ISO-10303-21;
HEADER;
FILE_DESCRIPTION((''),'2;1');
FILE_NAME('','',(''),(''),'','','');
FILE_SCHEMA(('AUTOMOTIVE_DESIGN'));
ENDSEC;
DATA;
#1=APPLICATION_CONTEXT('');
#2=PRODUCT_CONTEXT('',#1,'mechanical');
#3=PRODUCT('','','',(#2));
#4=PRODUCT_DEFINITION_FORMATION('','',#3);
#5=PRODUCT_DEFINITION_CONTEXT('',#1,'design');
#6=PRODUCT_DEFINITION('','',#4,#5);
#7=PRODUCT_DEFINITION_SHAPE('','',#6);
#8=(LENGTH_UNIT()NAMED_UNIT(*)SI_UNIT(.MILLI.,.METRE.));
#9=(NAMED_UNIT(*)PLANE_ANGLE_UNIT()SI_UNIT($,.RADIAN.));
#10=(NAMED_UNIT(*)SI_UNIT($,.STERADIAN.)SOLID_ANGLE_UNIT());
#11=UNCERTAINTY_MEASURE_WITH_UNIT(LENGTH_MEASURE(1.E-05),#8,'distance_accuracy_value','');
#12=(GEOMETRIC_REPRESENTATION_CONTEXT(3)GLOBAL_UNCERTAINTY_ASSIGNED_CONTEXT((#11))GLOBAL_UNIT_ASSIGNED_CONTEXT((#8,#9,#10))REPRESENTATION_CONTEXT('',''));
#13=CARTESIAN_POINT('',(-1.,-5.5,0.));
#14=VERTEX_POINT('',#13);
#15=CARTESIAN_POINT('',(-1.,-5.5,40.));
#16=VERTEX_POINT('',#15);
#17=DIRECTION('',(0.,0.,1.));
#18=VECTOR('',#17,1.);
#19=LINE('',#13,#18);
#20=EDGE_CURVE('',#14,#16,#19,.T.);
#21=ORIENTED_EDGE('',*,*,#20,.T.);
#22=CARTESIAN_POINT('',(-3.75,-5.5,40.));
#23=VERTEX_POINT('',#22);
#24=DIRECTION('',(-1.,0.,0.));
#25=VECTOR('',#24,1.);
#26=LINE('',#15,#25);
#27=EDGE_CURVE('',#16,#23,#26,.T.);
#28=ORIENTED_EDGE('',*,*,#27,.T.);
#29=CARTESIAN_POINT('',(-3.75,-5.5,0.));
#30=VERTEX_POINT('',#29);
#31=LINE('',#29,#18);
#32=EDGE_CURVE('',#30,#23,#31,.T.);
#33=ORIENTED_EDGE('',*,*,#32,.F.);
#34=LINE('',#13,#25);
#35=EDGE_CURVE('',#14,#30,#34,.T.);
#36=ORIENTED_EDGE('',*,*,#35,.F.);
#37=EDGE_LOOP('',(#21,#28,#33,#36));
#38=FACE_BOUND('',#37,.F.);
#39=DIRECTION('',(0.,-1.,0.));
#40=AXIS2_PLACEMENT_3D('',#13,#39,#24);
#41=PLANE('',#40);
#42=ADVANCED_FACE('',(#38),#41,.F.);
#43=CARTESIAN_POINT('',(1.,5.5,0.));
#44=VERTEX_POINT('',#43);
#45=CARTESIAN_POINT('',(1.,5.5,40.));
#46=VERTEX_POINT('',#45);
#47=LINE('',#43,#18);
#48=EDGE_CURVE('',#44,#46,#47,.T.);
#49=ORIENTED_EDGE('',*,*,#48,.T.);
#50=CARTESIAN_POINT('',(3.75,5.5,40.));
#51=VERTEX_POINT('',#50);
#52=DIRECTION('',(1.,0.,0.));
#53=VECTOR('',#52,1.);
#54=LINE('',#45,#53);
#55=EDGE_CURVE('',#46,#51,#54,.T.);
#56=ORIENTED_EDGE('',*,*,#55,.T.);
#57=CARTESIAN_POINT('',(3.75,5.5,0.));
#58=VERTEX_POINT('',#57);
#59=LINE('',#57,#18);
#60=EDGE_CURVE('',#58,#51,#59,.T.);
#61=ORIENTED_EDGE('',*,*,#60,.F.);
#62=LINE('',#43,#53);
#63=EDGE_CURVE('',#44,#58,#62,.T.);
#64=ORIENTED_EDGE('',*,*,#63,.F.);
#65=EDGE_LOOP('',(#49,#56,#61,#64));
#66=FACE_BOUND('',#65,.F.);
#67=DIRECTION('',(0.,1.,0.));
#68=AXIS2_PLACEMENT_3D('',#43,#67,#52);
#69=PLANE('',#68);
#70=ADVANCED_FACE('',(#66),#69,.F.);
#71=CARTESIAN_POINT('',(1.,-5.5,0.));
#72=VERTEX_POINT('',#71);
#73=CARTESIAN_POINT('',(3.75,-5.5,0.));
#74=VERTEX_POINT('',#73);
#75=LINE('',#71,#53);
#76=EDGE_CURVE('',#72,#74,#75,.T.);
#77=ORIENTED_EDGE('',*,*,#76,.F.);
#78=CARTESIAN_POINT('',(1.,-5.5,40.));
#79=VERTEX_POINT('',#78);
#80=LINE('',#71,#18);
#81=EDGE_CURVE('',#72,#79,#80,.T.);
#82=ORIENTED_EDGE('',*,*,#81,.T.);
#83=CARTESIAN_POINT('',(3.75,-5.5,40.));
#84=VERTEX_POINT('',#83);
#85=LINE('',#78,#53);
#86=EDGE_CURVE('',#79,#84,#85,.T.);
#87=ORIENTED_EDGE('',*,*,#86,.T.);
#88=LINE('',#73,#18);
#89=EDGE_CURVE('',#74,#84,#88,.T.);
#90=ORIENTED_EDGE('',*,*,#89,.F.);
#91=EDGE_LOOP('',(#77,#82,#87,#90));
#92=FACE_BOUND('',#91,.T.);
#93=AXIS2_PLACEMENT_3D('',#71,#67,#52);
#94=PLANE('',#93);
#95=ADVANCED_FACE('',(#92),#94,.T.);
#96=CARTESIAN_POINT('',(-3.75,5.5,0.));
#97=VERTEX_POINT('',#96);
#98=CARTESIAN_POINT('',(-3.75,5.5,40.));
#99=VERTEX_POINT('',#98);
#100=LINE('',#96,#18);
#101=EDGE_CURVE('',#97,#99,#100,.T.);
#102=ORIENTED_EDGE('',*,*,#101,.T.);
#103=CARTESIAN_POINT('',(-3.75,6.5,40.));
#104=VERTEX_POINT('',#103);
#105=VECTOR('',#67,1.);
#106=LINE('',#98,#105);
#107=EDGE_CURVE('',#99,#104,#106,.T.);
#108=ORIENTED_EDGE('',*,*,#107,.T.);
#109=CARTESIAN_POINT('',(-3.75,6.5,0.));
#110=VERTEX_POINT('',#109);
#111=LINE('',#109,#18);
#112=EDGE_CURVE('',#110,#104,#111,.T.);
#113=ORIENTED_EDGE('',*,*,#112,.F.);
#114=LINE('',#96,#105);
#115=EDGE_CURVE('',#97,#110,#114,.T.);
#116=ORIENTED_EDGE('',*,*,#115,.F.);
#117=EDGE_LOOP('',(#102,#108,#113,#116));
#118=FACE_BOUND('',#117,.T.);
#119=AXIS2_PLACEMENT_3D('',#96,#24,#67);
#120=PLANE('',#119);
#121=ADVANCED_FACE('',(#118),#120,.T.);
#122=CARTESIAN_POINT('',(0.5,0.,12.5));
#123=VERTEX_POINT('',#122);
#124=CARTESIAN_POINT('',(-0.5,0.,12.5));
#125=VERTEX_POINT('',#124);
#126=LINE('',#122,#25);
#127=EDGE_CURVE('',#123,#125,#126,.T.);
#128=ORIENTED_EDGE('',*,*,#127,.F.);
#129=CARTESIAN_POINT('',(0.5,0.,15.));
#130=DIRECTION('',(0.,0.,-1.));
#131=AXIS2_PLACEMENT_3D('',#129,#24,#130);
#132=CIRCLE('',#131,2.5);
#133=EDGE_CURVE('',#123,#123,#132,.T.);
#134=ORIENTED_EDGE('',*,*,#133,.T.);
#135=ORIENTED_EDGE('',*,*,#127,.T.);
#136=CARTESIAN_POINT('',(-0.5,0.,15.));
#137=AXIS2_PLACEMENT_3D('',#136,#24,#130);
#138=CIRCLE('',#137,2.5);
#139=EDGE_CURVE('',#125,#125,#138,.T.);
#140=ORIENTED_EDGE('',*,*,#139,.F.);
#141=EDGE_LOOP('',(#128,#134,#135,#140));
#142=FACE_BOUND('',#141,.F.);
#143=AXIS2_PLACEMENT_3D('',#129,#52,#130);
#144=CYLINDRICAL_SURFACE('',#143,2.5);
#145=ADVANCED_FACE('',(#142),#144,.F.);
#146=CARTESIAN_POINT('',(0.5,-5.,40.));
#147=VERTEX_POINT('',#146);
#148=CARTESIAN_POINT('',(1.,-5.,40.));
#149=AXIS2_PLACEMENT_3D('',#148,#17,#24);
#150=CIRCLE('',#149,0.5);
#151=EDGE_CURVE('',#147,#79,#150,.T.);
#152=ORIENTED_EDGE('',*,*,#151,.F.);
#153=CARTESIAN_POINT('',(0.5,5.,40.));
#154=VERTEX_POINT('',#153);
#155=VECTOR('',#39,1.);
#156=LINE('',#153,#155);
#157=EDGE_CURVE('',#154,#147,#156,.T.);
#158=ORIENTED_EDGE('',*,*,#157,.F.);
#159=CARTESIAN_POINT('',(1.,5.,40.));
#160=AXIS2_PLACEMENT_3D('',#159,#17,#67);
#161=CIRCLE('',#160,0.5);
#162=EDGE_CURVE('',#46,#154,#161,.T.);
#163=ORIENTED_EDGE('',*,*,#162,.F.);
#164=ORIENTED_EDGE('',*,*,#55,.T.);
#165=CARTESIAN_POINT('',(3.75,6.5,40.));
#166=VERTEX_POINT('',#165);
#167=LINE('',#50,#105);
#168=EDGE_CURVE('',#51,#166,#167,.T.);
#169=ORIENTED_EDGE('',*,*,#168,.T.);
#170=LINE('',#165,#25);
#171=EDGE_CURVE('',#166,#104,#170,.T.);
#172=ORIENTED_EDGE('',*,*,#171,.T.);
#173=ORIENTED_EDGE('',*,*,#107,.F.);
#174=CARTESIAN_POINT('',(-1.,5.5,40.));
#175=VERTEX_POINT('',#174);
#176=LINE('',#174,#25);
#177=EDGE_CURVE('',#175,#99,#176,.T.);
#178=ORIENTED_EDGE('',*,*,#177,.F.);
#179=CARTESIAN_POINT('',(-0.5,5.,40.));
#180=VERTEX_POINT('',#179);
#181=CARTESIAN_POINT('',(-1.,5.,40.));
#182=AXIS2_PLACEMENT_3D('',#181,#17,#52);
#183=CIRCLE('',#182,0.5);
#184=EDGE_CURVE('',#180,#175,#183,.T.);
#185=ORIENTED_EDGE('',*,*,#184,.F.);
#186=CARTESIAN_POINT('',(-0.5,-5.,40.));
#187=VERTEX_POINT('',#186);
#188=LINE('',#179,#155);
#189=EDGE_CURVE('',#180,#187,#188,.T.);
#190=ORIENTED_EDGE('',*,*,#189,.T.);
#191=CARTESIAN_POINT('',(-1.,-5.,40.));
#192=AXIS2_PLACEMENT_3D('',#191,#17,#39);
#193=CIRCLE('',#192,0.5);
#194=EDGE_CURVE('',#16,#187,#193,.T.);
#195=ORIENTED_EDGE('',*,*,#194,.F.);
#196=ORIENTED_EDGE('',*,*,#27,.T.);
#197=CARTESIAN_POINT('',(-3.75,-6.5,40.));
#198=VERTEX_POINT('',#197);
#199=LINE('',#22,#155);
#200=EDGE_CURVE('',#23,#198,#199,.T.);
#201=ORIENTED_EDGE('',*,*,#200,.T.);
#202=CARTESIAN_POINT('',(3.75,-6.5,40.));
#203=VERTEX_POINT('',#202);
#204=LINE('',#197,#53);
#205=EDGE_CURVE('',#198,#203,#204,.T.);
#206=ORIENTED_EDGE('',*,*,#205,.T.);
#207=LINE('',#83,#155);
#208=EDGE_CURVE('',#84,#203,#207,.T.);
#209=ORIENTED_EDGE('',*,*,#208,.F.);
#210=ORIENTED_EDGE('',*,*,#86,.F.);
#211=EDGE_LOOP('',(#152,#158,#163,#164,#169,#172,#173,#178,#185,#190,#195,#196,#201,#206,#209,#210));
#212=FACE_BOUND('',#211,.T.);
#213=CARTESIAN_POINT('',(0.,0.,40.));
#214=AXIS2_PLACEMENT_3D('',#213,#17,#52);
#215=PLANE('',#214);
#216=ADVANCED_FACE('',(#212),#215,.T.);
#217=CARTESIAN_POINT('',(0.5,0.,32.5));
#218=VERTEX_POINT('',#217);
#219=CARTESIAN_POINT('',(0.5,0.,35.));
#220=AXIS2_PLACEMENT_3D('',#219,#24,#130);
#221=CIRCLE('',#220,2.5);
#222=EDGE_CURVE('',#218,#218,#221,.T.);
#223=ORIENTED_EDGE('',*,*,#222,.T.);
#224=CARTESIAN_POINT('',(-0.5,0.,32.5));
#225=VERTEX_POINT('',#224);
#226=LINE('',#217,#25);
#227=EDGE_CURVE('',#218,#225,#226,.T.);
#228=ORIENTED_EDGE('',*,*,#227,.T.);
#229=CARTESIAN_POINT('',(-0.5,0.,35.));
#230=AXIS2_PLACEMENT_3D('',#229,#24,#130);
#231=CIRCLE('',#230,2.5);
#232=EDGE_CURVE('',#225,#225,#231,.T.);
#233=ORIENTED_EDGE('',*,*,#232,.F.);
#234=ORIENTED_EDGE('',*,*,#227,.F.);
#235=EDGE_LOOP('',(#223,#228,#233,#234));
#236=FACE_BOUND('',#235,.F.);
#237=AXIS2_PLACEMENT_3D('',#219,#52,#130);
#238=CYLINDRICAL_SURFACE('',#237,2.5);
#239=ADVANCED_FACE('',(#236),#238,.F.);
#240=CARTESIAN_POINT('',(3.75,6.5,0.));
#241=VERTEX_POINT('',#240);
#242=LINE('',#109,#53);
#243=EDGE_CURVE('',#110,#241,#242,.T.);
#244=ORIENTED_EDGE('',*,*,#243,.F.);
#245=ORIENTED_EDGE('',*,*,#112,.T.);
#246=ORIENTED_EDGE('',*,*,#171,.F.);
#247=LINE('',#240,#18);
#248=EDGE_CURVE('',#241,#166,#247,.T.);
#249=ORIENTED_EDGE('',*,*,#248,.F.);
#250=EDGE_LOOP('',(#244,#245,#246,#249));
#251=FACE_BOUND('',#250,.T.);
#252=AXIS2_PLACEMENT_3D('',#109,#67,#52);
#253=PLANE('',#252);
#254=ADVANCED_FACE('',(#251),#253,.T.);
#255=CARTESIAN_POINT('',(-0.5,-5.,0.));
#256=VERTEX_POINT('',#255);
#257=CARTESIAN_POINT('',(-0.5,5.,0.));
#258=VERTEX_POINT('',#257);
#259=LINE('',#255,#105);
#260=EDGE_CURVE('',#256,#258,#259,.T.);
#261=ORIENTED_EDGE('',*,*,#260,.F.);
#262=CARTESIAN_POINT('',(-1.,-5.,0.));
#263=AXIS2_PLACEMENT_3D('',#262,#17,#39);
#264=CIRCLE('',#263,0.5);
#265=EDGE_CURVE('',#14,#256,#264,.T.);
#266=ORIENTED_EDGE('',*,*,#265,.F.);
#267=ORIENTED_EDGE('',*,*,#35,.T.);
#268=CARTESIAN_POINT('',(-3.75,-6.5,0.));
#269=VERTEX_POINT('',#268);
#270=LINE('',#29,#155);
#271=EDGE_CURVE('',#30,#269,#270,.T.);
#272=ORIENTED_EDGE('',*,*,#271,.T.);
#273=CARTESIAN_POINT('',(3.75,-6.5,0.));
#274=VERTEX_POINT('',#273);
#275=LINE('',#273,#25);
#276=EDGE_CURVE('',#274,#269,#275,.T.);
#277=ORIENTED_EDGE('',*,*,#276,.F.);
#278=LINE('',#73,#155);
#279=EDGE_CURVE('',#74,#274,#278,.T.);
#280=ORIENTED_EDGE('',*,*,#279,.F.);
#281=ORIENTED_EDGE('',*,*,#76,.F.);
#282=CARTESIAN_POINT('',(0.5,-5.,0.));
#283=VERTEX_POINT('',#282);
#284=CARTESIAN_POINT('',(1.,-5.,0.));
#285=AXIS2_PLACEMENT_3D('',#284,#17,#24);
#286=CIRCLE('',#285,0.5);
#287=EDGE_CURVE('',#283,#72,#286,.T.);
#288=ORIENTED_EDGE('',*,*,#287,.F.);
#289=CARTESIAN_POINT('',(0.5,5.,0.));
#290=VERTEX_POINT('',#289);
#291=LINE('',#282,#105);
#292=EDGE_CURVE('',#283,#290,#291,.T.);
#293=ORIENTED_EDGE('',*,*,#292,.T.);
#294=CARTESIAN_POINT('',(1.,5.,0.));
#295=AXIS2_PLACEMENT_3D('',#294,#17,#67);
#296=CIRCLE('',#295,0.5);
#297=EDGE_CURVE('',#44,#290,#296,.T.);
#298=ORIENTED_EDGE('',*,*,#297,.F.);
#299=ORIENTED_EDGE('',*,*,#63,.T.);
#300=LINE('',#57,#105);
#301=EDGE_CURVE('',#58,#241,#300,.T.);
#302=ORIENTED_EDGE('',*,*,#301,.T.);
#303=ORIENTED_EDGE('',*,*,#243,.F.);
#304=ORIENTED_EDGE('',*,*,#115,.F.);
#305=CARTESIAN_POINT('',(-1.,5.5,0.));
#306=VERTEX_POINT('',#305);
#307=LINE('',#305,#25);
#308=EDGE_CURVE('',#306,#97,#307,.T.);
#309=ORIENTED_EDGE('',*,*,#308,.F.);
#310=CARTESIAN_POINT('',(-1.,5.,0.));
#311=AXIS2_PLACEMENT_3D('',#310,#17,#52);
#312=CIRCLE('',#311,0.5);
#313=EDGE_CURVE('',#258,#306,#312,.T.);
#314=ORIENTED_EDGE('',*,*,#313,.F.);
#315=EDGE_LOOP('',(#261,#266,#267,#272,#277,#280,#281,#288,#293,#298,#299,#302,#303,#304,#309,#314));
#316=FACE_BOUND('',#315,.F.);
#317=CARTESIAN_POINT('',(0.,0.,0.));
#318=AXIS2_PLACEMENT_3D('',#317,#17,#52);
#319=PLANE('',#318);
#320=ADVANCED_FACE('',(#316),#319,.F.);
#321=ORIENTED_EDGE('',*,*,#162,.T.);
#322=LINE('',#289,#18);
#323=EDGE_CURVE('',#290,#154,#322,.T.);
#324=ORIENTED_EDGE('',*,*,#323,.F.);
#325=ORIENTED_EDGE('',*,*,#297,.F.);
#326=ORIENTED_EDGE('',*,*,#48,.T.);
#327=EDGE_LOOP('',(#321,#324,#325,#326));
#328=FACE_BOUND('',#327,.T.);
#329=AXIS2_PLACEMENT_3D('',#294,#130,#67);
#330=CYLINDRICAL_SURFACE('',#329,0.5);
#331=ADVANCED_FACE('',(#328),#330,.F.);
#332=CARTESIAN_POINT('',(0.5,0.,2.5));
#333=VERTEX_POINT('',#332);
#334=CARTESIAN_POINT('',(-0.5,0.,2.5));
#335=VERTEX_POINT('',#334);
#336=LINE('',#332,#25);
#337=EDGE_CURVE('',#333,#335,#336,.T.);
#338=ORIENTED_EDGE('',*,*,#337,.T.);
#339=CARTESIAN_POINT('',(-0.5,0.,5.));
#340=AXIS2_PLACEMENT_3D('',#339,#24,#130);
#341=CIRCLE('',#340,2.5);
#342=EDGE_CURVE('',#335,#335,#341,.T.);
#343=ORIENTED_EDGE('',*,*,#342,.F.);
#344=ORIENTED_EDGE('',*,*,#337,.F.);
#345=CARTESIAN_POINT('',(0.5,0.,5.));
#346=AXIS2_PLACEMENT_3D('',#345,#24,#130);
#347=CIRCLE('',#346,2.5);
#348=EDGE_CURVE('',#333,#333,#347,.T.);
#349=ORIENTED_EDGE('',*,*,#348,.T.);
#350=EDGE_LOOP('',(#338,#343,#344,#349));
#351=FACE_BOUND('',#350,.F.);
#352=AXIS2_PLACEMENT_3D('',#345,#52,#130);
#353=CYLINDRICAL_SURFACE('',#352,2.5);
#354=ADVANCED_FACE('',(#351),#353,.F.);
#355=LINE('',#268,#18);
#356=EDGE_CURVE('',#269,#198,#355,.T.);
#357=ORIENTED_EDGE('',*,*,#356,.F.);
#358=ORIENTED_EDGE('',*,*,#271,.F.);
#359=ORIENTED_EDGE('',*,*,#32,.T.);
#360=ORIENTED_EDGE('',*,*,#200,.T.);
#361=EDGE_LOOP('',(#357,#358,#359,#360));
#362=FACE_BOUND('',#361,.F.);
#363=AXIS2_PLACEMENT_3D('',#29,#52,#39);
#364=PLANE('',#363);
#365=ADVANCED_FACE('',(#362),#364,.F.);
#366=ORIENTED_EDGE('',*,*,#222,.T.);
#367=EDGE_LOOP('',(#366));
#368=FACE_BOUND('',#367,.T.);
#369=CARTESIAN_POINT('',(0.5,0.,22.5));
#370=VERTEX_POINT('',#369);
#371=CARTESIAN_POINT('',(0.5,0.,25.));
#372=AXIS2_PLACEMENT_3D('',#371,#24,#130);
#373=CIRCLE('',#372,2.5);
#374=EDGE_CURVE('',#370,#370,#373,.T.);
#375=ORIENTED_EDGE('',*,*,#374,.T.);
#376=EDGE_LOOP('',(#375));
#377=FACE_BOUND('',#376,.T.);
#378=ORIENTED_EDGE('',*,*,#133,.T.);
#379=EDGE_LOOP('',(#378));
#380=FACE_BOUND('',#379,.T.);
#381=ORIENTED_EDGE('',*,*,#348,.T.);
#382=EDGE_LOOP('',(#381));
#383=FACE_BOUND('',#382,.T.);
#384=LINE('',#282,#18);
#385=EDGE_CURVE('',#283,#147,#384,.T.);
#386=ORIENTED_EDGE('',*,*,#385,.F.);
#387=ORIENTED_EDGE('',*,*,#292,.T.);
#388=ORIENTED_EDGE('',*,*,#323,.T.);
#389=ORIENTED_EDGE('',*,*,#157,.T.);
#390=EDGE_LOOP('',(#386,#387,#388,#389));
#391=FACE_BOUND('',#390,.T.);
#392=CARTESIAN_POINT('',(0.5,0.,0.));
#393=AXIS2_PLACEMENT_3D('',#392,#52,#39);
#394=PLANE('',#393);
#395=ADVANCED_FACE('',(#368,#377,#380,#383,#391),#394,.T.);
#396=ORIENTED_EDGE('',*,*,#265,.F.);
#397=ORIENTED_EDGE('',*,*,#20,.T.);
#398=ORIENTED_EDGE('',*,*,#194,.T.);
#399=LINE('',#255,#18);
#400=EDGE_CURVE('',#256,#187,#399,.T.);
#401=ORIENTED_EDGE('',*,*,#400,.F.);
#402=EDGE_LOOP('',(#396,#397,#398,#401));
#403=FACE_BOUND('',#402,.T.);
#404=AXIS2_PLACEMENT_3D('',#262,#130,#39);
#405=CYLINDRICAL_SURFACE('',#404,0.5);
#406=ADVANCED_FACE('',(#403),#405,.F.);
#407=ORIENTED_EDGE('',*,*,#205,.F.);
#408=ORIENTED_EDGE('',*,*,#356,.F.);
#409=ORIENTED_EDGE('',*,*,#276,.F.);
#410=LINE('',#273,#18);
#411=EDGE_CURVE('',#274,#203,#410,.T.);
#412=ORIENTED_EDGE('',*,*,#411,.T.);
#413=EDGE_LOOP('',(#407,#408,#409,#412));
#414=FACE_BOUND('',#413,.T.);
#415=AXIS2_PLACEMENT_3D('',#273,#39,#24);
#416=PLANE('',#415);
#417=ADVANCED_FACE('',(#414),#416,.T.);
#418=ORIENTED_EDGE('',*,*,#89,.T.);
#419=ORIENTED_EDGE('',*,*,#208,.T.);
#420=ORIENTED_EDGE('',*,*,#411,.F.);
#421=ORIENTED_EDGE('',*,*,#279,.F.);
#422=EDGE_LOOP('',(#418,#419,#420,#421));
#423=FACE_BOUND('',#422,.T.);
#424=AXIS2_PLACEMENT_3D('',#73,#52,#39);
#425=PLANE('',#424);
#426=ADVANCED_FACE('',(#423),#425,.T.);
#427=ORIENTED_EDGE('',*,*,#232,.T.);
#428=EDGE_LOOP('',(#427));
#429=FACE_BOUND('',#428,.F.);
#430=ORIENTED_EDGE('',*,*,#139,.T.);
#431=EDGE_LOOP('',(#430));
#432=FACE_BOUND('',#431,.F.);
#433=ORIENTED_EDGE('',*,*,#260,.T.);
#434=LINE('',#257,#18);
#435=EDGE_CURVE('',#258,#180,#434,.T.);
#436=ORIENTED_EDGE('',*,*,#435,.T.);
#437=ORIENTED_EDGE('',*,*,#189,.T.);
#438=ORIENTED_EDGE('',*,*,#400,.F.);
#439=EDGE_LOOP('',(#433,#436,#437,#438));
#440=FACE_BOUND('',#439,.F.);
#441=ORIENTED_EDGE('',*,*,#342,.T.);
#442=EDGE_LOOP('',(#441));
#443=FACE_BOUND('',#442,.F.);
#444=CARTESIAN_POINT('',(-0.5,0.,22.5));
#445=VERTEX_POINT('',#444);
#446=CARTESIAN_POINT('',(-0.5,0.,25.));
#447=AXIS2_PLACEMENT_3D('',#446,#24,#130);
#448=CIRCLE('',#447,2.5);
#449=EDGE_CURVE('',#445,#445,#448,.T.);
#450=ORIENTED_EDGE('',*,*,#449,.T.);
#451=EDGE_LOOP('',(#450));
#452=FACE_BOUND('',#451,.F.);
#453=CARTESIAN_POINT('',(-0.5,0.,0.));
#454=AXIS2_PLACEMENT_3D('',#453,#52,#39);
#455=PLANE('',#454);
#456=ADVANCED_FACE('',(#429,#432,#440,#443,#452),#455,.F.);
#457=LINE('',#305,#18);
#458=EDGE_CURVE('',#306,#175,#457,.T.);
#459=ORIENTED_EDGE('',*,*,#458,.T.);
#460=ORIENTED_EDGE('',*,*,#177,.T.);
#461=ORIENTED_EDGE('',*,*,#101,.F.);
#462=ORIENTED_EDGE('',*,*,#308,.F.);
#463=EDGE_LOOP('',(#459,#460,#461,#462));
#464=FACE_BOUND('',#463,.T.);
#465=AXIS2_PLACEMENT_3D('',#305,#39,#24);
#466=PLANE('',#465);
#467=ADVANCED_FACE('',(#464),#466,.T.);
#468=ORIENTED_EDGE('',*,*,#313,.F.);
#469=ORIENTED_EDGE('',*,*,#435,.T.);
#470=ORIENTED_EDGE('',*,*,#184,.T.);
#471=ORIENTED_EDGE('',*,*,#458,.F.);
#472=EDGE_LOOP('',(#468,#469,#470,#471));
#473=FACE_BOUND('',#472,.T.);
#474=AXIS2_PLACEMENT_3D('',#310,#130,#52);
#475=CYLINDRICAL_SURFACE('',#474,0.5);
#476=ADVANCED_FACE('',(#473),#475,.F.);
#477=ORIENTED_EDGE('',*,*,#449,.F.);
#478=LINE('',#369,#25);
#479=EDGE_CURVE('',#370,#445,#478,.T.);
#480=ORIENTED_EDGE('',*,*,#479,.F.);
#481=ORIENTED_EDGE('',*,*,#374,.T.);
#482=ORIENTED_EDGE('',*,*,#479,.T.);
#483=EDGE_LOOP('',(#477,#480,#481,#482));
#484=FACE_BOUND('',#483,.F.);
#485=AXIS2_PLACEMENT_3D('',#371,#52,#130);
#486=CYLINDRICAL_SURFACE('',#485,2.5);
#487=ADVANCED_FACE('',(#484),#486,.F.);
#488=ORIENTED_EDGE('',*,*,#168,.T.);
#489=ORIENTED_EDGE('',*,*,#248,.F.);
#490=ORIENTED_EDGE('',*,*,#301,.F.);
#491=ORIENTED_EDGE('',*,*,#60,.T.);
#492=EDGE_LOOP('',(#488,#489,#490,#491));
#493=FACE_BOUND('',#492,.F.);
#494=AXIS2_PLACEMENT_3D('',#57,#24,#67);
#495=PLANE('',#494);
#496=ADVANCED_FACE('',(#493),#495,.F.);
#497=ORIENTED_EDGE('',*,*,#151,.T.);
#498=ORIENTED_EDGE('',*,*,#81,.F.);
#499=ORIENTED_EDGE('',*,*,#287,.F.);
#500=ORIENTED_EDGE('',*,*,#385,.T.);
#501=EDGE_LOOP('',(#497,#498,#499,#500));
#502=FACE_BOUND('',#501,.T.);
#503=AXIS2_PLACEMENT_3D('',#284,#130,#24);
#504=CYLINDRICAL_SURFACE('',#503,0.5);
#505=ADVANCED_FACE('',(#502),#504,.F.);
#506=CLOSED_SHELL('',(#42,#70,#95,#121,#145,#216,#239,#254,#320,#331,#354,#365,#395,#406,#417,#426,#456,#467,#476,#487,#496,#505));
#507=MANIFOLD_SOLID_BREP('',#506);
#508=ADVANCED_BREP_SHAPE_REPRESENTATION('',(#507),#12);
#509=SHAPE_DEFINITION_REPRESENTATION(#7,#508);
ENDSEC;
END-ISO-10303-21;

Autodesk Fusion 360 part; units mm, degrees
sketch "Sketch1" plane through (0, 0, 0) normal (0, 0, 1) x (1, 0, 0)
  line L0 (0, 0) -> (97.8805, 0) construction
  line L1 (0.5, 0) -> (0.5, 5)
  arc A0 (1, 5.5) -> (0.5, 5) centre (1, 5) ccw
  line L2 (1, 5.5) -> (3.75, 5.5)
  line L3 (3.75, 5.5) -> (3.75, 6.5)
  line L4 (3.75, 6.5) -> (0, 6.5)
  line L5 (0, 0) -> (0, 6.5) construction
  line L6 (-3.75, 6.5) -> (0, 6.5)
  line L7 (-3.75, 5.5) -> (-3.75, 6.5)
  line L8 (-1, 5.5) -> (-3.75, 5.5)
  arc A1 (-0.5, 5) -> (-1, 5.5) centre (-1, 5) ccw
  line L9 (-0.5, 0) -> (-0.5, 5)
  line L10 (-3.75, -6.5) -> (0, -6.5)
  line L11 (-3.75, -5.5) -> (-3.75, -6.5)
  line L12 (-1, -5.5) -> (-3.75, -5.5)
  arc A2 (-1, -5.5) -> (-0.5, -5) centre (-1, -5) ccw
  line L13 (-0.5, 0) -> (-0.5, -5)
  line L14 (0.5, 0) -> (0.5, -5)
  arc A3 (0.5, -5) -> (1, -5.5) centre (1, -5) ccw
  line L15 (1, -5.5) -> (3.75, -5.5)
  line L16 (3.75, -5.5) -> (3.75, -6.5)
  line L17 (3.75, -6.5) -> (0, -6.5)
  dimension "d1" = 0.5
  dimension "d2" = 0.5
  dimension "d3" = 1
  dimension "d4" = 5.5
  dimension "d5" = 3.25
extrude "Extrude1" add sketch "Sketch1" along normal blind 40
sketch "Sketch2" plane through (0.5, 0, 0) normal (1, 0, 0) x (0, 0, -1)
  line L0 (0, -5) -> (0, 5)
  line L1 (0, 5) -> (-40, 5)
  line L2 (-40, 5) -> (-40, -5)
  line L3 (-40, -5) -> (0, -5)
  line L4 (0, 0) -> (-40, 0) construction
  circle A0 centre (-35, 0) radius 2.5
  circle A1 centre (-25, 0) radius 2.5
  circle A2 centre (-15, 0) radius 2.5
  circle A3 centre (-5, 0) radius 2.5
  point P0 (-5, 0)
  point P1 (-25, 0)
  point P2 (-35, 0)
  point P3 (-15, 0)
  dimension "d8" = 5
  dimension "d9" = 15
  dimension "d10" = 25
  dimension "d11" = 35
  dimension "d12" = 5
  dimension "d13" = 5
  dimension "d14" = 5
  dimension "d15" = 5
extrude "Extrude2" cut sketch "Sketch2" against normal through all contours A0 | A1 | A2 | A3
